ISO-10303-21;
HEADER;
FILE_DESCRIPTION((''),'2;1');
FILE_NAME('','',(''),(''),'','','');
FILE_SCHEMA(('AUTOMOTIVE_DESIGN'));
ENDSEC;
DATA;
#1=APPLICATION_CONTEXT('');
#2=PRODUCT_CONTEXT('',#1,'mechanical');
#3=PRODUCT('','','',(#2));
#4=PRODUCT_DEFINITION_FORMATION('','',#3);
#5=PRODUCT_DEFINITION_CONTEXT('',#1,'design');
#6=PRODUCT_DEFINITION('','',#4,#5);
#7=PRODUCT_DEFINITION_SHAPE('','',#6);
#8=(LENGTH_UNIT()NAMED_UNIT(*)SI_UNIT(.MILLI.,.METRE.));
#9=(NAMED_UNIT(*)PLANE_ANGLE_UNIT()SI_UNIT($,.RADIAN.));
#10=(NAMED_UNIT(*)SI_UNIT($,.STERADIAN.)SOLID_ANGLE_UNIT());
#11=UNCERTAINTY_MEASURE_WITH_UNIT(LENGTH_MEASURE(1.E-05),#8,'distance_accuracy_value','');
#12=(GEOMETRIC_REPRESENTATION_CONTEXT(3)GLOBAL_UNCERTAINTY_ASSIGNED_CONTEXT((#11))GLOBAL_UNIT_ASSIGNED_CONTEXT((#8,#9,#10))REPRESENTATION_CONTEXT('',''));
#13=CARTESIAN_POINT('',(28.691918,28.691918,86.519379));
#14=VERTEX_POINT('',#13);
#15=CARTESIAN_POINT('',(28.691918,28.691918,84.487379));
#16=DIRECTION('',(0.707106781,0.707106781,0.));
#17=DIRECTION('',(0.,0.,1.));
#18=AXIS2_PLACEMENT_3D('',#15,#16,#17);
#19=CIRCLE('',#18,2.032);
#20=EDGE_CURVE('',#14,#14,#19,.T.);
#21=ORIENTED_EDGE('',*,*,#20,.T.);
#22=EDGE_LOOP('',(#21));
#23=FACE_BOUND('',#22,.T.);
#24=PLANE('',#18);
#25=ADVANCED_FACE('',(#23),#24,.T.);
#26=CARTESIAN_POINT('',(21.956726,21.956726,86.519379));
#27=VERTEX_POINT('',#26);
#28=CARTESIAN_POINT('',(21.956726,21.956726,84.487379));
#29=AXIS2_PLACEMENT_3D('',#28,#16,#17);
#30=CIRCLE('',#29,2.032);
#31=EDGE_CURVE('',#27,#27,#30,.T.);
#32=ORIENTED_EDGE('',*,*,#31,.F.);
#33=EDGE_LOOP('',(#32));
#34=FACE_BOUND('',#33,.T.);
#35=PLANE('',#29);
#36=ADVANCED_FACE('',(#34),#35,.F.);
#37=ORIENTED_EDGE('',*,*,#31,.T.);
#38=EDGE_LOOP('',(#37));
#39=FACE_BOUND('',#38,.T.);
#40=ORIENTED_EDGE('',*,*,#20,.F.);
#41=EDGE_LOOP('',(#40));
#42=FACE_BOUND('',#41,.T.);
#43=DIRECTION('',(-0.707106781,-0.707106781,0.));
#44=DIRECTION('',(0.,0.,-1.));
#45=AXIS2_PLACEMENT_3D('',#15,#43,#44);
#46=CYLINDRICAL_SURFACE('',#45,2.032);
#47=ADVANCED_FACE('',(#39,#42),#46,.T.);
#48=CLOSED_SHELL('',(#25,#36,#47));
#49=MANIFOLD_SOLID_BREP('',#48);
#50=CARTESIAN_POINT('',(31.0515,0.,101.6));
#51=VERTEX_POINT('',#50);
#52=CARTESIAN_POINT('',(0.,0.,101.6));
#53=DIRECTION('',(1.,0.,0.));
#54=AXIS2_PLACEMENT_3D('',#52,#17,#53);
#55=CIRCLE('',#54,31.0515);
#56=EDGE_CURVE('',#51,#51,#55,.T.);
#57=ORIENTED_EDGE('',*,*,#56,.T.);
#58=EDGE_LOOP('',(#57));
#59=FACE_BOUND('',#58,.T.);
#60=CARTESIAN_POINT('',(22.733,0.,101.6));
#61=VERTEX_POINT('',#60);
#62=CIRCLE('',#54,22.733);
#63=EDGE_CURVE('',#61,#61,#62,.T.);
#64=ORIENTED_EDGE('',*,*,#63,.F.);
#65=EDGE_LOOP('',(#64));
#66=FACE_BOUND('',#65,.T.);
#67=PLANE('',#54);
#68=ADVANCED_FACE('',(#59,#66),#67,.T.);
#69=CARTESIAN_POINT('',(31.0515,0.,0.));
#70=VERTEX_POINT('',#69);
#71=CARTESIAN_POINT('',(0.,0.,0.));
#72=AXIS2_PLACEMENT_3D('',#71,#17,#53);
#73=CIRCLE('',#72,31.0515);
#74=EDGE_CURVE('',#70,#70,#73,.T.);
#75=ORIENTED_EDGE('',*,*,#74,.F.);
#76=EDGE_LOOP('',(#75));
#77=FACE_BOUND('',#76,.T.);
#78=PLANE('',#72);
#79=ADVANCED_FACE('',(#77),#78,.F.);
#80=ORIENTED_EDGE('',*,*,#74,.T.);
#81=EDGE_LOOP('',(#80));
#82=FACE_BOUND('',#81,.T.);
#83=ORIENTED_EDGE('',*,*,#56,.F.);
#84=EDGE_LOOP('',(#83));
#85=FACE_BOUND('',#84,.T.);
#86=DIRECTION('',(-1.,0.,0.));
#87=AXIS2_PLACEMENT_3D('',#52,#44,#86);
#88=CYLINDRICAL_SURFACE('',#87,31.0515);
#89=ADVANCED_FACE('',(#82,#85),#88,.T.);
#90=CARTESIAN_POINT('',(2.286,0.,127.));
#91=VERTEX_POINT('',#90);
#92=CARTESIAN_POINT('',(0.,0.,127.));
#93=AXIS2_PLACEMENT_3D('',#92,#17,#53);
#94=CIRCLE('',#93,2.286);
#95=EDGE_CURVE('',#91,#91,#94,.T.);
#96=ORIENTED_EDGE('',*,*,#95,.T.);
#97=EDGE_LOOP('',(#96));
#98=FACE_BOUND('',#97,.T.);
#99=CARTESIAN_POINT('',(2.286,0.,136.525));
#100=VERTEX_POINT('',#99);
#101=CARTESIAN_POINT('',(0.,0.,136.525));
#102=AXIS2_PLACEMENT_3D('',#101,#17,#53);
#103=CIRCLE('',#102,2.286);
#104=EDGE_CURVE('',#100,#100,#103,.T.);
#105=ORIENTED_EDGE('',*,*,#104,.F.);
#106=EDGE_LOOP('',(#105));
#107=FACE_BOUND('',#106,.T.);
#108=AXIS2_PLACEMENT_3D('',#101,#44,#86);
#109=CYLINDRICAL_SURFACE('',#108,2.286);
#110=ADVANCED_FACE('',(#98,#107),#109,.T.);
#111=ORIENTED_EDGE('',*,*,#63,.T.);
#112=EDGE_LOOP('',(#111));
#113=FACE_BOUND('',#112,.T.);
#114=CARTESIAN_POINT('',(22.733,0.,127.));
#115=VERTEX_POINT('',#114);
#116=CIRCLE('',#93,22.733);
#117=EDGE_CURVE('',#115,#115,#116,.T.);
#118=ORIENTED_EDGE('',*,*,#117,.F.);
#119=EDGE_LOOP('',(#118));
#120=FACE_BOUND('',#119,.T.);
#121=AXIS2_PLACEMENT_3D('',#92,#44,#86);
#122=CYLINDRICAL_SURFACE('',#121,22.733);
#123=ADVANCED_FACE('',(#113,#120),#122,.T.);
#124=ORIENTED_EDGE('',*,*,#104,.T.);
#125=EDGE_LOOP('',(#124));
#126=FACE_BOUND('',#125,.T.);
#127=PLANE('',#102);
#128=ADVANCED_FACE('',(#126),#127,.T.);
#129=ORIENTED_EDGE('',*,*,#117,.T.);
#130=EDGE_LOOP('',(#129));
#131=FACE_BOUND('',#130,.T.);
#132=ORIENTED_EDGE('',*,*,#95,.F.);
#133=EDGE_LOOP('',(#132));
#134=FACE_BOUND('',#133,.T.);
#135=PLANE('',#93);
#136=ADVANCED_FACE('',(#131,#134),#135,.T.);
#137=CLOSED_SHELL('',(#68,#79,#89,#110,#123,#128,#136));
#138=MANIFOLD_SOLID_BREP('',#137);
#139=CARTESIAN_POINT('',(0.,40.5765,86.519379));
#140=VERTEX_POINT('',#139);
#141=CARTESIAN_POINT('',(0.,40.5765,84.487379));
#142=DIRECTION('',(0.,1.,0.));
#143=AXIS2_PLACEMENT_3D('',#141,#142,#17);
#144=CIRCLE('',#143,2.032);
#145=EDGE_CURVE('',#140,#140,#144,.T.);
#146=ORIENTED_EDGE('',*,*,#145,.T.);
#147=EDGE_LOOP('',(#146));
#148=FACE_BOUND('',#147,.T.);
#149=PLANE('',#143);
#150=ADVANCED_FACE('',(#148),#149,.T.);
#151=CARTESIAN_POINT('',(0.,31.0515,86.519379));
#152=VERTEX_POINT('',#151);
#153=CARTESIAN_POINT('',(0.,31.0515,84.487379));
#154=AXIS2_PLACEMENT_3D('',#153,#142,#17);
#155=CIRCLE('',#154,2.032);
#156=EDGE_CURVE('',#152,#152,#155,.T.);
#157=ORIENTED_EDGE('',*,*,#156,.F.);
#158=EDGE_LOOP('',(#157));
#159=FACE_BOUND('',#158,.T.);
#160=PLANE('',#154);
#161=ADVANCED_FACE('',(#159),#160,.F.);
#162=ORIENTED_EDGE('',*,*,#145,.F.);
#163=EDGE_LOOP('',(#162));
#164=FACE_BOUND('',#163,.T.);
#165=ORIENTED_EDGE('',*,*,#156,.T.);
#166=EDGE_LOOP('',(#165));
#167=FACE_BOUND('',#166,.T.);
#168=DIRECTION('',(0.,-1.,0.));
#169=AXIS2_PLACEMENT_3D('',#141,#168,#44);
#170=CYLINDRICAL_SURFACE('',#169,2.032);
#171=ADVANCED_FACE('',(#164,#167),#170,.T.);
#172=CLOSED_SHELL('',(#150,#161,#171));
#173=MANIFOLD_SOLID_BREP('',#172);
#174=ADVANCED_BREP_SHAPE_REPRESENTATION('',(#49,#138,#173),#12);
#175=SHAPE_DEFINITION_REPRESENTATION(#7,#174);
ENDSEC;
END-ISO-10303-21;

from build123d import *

# Parameters (mm, degrees)
SKETCH1_R           = 31.0515
BOSS_EXTRUDE1_DEPTH = 101.6
SKETCH2_R           = 22.733
BOSS_EXTRUDE2_DEPTH = 25.4
SKETCH3_R           = 2.286
BOSS_EXTRUDE3_DEPTH = 9.525
SKETCH4_R           = 2.032
BOSS_EXTRUDE4_DEPTH = 9.525
CIRPATTERN3_COUNT   = 2
CIRPATTERN3_ANGLE   = 45


with BuildPart() as part:
    # Sketch1 → Boss-Extrude1 (new body)
    with BuildSketch(Plane.XY):
        Circle(SKETCH1_R)
    extrude(amount=BOSS_EXTRUDE1_DEPTH)

    # Sketch2 → Boss-Extrude2 (add)
    with BuildSketch(Plane.XY.offset(101.6)):
        Circle(SKETCH2_R)
    extrude(amount=BOSS_EXTRUDE2_DEPTH)

    # Sketch3 → Boss-Extrude3 (add)
    with BuildSketch(Plane.XY.offset(127)):
        Circle(SKETCH3_R)
    extrude(amount=BOSS_EXTRUDE3_DEPTH)


with BuildPart() as body_2:
    # Sketch4 → Boss-Extrude4 (new body)
    with BuildSketch(Plane(origin=(0, 31.0515, 0), x_dir=(1, 0, 0), z_dir=(0, 1, 0))):
        with Locations((0, -84.487378835)):
            Circle(SKETCH4_R)
    extrude(amount=BOSS_EXTRUDE4_DEPTH)


with BuildPart() as cirpattern3_1:
    # CirPattern3: pattern copy
    add(body_2.part.rotate(Axis((0, 0, 143.35125), (0, 0, -1)), 1 * CIRPATTERN3_ANGLE / (CIRPATTERN3_COUNT - 1)))


solid = Compound([part.part, body_2.part, cirpattern3_1.part])
